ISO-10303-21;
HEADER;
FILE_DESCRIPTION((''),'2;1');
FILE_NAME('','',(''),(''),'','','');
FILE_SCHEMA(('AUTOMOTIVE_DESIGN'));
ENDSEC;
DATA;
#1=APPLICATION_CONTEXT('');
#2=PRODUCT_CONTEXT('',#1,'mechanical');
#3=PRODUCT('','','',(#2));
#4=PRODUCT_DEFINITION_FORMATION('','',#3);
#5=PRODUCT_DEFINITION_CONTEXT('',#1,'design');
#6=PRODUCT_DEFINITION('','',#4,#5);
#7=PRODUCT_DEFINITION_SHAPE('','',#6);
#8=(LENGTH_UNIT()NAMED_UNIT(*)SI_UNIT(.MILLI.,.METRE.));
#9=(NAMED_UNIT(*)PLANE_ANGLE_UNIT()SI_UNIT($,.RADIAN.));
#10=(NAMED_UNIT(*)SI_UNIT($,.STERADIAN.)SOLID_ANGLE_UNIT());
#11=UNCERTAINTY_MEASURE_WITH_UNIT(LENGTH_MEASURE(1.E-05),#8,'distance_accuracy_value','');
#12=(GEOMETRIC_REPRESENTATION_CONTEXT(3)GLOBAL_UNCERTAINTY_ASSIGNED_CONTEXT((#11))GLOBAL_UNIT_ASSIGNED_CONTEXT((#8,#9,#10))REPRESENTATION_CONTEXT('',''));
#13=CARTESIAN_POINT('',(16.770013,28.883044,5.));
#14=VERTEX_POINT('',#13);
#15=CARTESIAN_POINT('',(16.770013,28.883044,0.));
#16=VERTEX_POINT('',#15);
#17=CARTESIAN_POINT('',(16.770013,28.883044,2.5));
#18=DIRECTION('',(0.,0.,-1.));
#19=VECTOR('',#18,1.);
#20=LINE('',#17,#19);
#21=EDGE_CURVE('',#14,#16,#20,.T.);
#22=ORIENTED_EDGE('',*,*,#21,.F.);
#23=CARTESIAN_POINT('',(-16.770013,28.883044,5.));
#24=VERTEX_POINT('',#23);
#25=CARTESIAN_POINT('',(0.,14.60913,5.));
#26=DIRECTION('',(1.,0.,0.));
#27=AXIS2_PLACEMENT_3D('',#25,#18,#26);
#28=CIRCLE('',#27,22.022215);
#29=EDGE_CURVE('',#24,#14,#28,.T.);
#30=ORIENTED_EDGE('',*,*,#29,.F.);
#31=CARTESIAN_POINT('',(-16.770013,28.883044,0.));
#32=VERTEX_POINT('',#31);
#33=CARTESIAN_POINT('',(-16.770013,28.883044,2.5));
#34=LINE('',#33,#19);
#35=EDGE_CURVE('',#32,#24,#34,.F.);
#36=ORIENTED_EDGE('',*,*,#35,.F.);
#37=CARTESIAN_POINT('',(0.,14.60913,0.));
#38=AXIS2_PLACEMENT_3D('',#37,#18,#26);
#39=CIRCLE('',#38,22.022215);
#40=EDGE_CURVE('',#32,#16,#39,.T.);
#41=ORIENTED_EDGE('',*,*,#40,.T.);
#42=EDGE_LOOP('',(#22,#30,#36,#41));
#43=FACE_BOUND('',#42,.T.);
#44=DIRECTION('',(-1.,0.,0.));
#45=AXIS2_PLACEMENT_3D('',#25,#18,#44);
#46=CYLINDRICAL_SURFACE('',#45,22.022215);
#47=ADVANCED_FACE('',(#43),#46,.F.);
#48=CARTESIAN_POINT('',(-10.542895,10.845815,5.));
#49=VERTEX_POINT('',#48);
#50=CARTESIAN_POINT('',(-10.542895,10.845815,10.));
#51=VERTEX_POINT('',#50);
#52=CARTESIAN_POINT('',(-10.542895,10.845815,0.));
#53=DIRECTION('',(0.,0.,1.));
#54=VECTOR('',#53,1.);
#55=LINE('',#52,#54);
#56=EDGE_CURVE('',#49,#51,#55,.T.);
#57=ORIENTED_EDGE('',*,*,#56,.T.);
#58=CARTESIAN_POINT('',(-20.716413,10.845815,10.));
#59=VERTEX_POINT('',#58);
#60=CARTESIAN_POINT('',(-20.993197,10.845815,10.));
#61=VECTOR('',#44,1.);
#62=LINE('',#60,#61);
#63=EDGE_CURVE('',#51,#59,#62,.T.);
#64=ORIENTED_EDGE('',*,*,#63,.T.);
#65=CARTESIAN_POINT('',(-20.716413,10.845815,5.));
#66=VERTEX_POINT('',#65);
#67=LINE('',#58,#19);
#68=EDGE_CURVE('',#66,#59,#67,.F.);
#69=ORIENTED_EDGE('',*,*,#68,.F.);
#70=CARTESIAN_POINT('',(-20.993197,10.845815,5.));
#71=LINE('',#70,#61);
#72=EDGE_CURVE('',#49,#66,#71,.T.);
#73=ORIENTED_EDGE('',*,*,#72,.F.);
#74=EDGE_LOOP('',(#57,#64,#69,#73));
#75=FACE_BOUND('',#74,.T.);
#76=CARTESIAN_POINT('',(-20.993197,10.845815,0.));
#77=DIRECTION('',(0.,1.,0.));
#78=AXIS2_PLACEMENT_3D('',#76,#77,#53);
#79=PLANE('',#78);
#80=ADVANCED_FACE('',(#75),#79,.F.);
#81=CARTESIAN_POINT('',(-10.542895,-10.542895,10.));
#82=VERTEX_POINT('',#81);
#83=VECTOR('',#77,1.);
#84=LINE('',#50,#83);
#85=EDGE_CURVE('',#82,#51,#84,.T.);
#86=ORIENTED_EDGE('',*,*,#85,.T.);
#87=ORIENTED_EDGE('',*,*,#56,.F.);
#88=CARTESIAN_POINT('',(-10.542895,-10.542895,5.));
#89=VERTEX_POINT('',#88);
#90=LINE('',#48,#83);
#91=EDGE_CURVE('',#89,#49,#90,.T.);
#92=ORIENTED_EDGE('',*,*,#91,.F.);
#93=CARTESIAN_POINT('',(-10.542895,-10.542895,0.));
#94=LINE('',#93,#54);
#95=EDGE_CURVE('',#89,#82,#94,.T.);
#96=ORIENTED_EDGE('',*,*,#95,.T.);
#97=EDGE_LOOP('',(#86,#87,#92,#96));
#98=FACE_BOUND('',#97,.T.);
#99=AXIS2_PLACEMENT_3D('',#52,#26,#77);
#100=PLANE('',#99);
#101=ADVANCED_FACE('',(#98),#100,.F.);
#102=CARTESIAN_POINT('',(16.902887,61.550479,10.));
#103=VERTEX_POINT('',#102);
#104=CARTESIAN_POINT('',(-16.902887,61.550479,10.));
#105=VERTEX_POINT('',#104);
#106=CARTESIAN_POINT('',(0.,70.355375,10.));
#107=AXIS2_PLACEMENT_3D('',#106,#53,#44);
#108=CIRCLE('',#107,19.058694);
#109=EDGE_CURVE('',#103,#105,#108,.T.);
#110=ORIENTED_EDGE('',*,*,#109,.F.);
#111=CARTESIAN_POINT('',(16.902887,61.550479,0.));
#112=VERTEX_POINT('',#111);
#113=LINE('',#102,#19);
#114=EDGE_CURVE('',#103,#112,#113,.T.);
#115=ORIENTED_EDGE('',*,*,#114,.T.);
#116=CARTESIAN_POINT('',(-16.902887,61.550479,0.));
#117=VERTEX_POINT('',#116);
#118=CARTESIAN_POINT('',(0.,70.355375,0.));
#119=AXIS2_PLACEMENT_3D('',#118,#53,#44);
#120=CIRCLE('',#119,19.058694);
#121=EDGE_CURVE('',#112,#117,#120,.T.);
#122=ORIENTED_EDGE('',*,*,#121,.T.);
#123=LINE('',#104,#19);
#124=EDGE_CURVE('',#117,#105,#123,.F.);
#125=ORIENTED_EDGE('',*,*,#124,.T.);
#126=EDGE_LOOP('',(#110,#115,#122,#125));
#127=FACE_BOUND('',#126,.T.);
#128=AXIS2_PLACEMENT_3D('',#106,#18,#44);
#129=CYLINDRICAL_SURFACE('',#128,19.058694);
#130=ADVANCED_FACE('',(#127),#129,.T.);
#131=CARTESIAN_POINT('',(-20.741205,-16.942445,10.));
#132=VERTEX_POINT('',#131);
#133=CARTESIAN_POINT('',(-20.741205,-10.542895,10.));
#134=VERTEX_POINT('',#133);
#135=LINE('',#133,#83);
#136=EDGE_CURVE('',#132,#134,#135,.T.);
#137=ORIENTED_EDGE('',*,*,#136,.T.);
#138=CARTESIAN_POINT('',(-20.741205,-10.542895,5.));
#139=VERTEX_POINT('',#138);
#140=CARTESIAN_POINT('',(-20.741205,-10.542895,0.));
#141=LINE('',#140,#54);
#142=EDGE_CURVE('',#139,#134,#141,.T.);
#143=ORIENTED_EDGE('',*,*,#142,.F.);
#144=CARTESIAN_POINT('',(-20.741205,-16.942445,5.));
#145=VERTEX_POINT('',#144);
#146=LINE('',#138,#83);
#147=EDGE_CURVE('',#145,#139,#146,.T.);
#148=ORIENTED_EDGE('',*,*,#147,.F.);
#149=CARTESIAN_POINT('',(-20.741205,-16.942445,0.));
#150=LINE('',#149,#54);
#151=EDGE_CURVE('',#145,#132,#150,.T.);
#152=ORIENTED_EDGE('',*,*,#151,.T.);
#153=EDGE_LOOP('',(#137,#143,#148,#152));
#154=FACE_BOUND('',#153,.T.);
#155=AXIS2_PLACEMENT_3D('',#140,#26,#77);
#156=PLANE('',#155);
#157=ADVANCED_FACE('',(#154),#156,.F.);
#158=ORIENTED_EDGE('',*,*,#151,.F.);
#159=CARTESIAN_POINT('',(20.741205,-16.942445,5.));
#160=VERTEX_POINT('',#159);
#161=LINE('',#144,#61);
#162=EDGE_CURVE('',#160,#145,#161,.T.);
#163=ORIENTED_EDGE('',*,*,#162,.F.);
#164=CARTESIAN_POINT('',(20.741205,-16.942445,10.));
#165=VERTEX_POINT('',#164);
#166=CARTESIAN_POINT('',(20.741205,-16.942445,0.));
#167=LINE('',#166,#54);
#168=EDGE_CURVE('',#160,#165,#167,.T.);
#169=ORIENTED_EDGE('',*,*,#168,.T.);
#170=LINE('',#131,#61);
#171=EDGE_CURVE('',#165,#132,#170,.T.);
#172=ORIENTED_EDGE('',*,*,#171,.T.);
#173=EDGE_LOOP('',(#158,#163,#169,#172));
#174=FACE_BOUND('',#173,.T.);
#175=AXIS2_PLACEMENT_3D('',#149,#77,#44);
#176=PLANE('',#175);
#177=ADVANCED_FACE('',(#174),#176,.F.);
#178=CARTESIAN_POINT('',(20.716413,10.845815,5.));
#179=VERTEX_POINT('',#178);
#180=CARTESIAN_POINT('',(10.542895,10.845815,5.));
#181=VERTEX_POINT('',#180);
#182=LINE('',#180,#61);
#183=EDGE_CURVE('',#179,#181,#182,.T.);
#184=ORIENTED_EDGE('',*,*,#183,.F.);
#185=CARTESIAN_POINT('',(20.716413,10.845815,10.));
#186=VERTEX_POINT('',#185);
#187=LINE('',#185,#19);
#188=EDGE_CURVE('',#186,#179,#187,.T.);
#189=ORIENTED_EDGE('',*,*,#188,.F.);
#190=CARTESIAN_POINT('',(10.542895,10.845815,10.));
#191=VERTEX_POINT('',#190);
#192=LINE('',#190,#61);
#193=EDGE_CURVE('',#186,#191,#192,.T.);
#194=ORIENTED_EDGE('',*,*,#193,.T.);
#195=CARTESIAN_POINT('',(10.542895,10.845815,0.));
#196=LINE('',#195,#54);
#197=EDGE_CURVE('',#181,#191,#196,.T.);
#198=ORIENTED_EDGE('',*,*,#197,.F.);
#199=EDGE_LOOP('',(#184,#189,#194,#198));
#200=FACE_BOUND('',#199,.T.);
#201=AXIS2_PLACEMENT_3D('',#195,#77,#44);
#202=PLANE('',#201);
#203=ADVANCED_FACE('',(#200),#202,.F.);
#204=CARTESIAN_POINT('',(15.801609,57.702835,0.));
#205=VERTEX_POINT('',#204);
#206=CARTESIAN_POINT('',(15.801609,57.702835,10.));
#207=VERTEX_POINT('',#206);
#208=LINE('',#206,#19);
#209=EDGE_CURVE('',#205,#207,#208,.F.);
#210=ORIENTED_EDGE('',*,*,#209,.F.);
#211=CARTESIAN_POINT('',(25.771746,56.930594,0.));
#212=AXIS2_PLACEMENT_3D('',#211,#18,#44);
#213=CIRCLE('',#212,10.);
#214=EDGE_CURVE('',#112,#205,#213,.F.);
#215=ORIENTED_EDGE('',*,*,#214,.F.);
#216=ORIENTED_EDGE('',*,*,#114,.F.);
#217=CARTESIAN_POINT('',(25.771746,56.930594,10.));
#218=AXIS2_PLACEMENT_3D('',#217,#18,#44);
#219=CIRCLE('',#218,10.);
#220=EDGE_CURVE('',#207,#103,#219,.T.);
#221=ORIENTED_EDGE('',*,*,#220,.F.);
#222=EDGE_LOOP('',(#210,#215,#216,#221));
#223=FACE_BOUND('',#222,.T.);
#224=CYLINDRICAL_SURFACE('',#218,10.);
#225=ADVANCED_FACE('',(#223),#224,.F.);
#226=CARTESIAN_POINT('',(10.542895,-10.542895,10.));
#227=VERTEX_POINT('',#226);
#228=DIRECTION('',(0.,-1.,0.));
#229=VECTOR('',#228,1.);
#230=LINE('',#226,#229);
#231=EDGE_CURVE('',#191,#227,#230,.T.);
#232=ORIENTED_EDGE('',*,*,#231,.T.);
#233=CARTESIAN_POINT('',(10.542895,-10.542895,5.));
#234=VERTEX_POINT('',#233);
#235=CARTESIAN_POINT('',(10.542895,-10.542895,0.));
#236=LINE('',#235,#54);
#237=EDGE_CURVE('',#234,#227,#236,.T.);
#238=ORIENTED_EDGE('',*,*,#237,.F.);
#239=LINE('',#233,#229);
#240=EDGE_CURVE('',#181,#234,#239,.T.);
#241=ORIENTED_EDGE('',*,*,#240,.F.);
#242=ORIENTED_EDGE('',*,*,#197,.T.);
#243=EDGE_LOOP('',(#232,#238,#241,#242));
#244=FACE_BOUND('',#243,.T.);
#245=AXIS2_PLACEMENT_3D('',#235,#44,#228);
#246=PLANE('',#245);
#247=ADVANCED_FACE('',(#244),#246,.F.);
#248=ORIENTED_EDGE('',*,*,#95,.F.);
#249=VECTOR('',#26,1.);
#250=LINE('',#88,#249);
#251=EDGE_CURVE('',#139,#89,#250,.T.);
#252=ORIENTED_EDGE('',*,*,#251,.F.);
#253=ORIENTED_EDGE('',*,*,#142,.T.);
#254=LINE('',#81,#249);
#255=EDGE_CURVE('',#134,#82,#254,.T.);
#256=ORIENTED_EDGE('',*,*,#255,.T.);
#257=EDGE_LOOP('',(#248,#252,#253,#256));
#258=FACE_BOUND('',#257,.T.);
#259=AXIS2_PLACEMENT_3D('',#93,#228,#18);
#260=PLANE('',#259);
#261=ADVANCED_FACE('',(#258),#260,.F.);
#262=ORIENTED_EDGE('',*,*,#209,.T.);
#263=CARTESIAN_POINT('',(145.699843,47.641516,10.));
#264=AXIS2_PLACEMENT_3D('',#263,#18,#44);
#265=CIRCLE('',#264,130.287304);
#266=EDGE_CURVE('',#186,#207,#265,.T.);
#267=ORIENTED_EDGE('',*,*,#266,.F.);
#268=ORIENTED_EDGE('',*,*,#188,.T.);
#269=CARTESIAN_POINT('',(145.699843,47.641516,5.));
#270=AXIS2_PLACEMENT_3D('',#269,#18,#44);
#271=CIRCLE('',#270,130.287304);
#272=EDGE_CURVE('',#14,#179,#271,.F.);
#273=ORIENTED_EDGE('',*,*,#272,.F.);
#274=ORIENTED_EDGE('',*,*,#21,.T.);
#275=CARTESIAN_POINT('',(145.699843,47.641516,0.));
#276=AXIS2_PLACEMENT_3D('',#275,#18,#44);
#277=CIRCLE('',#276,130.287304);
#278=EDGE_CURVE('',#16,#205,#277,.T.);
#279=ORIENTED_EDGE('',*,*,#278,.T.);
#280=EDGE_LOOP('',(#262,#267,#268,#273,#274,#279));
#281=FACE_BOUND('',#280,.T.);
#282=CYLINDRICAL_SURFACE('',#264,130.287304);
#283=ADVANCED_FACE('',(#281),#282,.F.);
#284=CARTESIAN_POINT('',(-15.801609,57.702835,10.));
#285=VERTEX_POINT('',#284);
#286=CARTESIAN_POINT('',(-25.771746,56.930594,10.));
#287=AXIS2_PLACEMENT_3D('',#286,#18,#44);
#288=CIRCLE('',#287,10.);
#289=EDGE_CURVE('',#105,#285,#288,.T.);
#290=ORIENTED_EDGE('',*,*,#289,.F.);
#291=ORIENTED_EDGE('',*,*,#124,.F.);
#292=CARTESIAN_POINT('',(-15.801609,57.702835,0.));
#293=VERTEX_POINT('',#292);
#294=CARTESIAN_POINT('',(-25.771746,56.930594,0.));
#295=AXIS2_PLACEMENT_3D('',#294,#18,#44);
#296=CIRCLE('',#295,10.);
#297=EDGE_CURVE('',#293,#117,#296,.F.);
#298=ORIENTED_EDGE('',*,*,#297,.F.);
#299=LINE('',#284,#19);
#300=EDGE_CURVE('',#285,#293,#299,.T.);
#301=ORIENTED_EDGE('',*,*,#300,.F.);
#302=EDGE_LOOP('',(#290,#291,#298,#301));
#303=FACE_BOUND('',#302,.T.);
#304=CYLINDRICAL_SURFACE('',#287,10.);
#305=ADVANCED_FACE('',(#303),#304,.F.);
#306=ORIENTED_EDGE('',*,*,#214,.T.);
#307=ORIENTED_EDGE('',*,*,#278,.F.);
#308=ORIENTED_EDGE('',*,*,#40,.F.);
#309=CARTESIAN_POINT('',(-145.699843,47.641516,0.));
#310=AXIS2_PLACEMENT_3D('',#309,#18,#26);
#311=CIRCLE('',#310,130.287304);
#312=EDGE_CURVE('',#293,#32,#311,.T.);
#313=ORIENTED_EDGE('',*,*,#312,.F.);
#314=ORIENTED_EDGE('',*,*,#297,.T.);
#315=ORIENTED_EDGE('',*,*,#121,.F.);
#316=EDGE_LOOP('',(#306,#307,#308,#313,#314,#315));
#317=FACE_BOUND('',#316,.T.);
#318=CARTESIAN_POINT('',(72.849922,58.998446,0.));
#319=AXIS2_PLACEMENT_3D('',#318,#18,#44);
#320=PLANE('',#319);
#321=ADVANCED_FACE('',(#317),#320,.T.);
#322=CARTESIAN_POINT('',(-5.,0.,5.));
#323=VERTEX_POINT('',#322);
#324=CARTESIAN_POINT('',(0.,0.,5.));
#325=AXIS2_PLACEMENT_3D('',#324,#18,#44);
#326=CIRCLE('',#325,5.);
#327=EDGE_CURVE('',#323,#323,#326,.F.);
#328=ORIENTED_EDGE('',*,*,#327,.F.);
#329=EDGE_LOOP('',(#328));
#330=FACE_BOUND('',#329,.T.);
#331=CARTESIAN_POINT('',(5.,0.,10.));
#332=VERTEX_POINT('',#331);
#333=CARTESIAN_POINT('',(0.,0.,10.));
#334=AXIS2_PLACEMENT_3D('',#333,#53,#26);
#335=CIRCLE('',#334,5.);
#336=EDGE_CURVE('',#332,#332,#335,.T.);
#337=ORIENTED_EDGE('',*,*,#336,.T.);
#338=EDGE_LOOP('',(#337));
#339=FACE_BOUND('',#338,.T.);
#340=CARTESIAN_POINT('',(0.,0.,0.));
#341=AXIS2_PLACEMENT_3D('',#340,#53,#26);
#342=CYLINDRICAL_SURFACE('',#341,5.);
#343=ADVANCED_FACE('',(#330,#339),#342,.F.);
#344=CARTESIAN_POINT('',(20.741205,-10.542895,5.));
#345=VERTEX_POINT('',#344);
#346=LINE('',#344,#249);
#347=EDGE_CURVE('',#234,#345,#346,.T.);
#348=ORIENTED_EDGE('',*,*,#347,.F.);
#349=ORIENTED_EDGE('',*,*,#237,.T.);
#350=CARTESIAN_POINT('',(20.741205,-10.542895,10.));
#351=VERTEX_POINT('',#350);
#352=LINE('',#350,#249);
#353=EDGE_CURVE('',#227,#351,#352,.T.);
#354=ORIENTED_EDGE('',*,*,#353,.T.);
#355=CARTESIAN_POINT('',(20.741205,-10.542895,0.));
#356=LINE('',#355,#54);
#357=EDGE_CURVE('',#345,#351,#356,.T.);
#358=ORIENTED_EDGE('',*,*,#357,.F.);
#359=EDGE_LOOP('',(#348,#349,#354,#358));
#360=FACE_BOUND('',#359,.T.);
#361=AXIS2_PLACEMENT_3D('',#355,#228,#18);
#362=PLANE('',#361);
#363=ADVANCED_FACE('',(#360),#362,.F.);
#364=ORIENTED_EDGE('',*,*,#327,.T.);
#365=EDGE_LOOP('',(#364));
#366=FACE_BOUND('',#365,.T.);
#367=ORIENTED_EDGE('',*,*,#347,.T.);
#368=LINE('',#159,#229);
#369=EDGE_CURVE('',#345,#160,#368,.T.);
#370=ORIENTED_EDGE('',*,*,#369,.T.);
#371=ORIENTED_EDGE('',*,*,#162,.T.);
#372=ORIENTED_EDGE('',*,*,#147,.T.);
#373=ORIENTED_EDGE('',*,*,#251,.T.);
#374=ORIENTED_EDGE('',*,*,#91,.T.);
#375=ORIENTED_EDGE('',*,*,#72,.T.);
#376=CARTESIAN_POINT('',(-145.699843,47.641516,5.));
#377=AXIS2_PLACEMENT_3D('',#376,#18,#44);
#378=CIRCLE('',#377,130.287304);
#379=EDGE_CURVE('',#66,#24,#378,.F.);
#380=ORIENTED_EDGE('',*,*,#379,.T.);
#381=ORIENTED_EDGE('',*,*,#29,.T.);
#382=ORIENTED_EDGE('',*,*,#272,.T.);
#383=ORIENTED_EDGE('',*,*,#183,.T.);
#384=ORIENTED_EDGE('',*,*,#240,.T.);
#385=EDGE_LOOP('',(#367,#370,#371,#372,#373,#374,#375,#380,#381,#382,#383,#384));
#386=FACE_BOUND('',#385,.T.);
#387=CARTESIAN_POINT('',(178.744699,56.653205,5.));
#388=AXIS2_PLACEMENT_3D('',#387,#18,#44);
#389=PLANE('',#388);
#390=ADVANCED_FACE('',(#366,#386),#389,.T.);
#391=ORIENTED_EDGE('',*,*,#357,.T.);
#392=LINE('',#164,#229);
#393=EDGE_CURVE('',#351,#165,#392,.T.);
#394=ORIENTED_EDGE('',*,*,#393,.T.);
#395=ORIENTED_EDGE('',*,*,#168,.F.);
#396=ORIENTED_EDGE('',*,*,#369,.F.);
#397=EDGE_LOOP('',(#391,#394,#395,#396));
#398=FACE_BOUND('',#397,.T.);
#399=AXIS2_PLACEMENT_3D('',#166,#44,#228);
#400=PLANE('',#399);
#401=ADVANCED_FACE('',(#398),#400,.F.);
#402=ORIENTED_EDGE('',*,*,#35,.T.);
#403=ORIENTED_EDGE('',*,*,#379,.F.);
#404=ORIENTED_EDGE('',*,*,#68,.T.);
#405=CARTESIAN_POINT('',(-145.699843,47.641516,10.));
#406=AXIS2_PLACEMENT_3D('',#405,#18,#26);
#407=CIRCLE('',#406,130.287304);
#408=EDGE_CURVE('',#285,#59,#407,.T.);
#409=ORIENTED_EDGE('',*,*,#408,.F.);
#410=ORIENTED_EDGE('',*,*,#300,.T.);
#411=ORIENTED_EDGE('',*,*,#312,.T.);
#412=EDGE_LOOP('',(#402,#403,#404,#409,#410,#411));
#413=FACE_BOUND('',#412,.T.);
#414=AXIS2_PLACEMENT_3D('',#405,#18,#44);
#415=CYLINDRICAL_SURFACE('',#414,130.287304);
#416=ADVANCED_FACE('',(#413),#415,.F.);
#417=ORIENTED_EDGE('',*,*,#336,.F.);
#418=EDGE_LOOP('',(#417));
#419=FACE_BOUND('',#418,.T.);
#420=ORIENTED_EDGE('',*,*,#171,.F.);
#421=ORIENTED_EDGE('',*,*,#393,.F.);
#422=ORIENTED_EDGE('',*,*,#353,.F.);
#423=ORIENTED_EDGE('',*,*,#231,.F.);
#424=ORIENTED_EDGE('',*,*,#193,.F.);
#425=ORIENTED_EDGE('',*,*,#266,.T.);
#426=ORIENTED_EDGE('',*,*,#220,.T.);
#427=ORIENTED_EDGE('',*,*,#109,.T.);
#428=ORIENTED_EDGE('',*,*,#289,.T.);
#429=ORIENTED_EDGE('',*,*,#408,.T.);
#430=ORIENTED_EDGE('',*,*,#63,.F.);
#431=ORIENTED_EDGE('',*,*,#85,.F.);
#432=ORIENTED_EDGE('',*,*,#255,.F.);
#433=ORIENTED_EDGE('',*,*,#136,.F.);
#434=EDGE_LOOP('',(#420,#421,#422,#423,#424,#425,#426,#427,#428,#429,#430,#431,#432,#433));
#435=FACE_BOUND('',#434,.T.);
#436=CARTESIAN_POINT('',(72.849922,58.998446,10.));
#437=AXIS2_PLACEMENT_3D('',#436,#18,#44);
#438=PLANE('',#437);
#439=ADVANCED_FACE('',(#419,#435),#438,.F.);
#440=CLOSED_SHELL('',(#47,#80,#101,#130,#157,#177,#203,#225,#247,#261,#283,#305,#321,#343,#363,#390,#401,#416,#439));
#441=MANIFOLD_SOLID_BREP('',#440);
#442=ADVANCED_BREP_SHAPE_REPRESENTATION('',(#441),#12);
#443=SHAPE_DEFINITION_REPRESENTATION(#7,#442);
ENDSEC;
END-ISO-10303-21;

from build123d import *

# Parameters (mm, degrees)
BODY_DEPTH            = 10
SKETCH2_R             = 5
ATTACHMENT_HOLE_DEPTH = 11
CUT_EXTRUDE28_DEPTH   = 11
CUT_EXTRUDE30_DEPTH   = 5
FILLET1_R             = 10
FILLET2_R             = 10


with BuildPart() as part:
    # Sketch1 → Body (new body)
    with BuildSketch(Plane.XY):
        with BuildLine():
            ThreePointArc((-57.453333234, -48.209070726), (-24.034507314, 1.033281591), (-16, 60))
            ThreePointArc((-16, 60), (0, 89.414069015), (16, 60))
            ThreePointArc((16, 60), (24.034507314, 1.033281591), (57.453333234, -48.209070726))
            ThreePointArc((57.453333234, -48.209070726), (0, -75), (-57.453333234, -48.209070726))
        make_face()
    extrude(amount=BODY_DEPTH)

    # Sketch2 → Attachment Hole (cut, through all)
    with BuildSketch(Plane.XY.offset(10)):
        Circle(SKETCH2_R)
    extrude(amount=-ATTACHMENT_HOLE_DEPTH, mode=Mode.SUBTRACT)

    # Sketch34 → Cut-Extrude28 (cut, through all)
    with BuildSketch(Plane.XY.offset(10)):
        with BuildLine():
            Line((-20.993197074, 10.845815), (-10.542895, 10.845815))
            Line((-10.542895, 10.845815), (-10.542895, -10.542895))
            Line((-10.542895, -10.542895), (-20.741205, -10.542895))
            Line((-20.741205, -10.542895), (-20.741205, -16.942445))
            Line((-20.741205, -16.942445), (20.741205, -16.942445))
            Line((20.741205, -16.942445), (20.741205, -10.542895))
            Line((20.741205, -10.542895), (10.542895, -10.542895))
            Line((10.542895, -10.542895), (10.542895, 10.845815))
            Line((10.542895, 10.845815), (20.993197074, 10.845815))
            ThreePointArc((20.993197074, 10.845815), (36.689111405, -20.246199356), (57.453333234, -48.209070726))
            ThreePointArc((57.453333234, -48.209070726), (0, -75), (-57.453333234, -48.209070726))
            ThreePointArc((-57.453333234, -48.209070726), (-35.302517172, -21.102274411), (-20.993197074, 10.845815))
        make_face()
    extrude(amount=-CUT_EXTRUDE28_DEPTH, mode=Mode.SUBTRACT)

    # Sketch35 → Cut-Extrude30 (cut)
    with BuildSketch(Plane(origin=(0, 0, 0), x_dir=(-1, 0, 0), z_dir=(0, 0, -1))):
        with BuildLine():
            Line((20.993197074, 10.845815), (10.542895, 10.845815))
            Line((10.542895, 10.845815), (10.542895, -10.542895))
            Line((10.542895, -10.542895), (20.741205, -10.542895))
            Line((20.741205, -10.542895), (20.741205, -16.942445))
            Line((20.741205, -16.942445), (-20.741205, -16.942445))
            Line((-20.741205, -16.942445), (-20.741205, -10.542895))
            Line((-20.741205, -10.542895), (-10.542895, -10.542895))
            Line((-10.542895, -10.542895), (-10.542895, 10.845815))
            Line((-10.542895, 10.845815), (-20.993197074, 10.845815))
            ThreePointArc((-20.993197074, 10.845815), (-18.675130989, 19.753520203), (-16.85963199, 28.777078577))
            ThreePointArc((-16.85963199, 28.777078577), (0, 36.631345), (16.85963199, 28.777078577))
            ThreePointArc((16.85963199, 28.777078577), (18.631142052, 19.74337975), (20.993197074, 10.845815))
        make_face()
    extrude(amount=-CUT_EXTRUDE30_DEPTH, mode=Mode.SUBTRACT)

    # Fillet1
    fillet1_edges = [part.edges().sort_by_distance(p)[0] for p in [
        (16, 60, 5),
    ]]
    fillet(fillet1_edges, radius=FILLET1_R)

    # Fillet2
    fillet2_edges = [part.edges().sort_by_distance(p)[0] for p in [
        (-16, 60, 5),
    ]]
    fillet(fillet2_edges, radius=FILLET2_R)


solid = part.part
